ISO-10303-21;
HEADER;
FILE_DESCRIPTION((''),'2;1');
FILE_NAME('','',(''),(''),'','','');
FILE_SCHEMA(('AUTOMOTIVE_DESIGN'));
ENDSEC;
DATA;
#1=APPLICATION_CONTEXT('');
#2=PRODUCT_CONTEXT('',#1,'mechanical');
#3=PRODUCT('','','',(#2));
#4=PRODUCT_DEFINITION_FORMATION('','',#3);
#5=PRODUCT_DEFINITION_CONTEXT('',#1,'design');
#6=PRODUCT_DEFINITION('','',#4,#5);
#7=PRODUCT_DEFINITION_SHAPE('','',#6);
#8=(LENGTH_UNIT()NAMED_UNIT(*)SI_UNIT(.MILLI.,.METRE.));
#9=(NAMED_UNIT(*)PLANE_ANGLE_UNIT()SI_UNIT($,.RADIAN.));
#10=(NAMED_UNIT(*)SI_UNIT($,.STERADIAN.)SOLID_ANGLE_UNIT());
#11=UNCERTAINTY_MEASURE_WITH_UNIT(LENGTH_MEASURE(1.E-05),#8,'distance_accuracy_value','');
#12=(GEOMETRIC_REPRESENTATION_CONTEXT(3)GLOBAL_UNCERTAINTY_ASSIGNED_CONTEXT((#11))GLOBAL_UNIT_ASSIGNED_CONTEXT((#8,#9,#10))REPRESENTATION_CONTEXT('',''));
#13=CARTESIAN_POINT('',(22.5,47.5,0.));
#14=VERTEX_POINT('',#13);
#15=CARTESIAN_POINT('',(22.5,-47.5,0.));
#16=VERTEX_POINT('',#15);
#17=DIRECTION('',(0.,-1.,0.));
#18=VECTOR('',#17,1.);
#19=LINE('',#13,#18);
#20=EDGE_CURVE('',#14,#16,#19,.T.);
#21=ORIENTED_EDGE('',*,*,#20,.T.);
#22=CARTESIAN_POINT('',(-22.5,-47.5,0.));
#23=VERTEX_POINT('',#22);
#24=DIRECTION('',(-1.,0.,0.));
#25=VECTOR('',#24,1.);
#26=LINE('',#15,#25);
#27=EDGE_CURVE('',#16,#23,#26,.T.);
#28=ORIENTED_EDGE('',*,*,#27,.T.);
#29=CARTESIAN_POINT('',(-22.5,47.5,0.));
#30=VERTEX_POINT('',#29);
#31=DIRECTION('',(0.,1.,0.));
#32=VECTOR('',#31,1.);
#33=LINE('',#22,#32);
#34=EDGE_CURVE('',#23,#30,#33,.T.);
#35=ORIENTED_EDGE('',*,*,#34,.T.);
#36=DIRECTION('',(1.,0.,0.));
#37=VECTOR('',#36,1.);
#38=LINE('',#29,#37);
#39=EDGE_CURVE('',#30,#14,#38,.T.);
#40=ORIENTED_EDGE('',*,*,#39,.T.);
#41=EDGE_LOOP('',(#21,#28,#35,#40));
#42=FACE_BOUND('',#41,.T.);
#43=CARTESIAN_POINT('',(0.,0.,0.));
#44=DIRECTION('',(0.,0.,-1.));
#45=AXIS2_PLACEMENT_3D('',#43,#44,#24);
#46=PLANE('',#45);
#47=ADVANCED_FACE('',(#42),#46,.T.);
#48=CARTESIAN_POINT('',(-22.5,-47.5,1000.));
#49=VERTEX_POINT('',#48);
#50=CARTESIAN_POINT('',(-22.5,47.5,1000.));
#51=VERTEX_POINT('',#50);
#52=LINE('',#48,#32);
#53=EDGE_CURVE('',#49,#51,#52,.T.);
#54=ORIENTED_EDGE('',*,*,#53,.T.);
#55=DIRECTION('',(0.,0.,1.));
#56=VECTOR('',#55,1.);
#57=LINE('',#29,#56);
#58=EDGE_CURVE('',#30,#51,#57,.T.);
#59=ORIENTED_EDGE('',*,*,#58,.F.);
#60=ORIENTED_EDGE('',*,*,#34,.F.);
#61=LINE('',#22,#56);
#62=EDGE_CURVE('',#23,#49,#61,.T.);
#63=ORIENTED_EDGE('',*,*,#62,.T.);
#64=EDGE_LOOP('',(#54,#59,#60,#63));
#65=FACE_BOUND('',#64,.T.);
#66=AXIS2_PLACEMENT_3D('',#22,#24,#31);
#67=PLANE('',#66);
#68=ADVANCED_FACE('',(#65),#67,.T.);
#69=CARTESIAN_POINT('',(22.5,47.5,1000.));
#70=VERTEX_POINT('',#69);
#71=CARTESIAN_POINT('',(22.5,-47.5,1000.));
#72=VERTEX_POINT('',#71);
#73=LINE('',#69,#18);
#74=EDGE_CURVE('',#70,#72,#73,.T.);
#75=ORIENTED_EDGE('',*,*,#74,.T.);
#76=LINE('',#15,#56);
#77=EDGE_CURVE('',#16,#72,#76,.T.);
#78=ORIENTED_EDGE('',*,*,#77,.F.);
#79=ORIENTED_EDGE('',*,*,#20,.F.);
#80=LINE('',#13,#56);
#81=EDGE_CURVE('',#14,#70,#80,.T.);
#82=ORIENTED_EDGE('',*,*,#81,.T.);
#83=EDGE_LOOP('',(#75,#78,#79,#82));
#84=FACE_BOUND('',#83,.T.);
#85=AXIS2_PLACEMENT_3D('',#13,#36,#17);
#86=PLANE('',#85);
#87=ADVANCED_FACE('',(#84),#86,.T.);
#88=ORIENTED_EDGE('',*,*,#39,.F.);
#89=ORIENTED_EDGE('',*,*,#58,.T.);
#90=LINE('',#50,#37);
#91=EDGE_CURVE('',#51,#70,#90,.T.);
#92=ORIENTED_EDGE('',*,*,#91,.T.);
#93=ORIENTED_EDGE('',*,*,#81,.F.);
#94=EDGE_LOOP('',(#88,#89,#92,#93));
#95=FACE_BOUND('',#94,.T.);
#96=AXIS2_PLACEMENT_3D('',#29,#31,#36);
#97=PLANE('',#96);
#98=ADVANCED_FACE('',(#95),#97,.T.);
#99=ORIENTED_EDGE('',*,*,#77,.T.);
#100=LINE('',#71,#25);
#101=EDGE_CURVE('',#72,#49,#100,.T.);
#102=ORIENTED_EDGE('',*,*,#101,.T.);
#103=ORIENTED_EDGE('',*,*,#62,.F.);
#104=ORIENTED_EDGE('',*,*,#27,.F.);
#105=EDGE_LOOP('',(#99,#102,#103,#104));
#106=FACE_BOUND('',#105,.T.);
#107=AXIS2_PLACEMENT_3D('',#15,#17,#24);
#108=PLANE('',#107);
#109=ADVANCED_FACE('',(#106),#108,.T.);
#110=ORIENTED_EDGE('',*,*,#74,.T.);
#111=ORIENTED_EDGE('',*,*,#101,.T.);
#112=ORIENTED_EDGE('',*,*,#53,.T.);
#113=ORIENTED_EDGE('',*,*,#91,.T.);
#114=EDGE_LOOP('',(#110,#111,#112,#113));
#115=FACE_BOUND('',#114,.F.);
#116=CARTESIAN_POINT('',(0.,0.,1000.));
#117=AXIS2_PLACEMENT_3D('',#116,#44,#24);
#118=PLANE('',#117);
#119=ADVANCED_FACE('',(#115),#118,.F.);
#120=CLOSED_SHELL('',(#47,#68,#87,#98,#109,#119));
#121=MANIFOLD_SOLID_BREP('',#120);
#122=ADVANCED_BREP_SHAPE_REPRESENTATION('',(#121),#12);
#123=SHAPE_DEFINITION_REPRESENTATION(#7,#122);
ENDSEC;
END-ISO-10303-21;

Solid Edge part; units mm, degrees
sketch "Sketch1" plane through (0, 0, 0) normal (0, 0, -1) x (-1, 0, 0)
  line L0 (-22.5, -47.5) -> (22.5, -47.5)
  line L1 (22.5, -47.5) -> (22.5, 47.5)
  line L2 (22.5, 47.5) -> (-22.5, 47.5)
  line L3 (-22.5, 47.5) -> (-22.5, -47.5)
extrude "Protrusion1" add sketch "Sketch1" against normal blind 1000
properties material "Wood, Pine"
